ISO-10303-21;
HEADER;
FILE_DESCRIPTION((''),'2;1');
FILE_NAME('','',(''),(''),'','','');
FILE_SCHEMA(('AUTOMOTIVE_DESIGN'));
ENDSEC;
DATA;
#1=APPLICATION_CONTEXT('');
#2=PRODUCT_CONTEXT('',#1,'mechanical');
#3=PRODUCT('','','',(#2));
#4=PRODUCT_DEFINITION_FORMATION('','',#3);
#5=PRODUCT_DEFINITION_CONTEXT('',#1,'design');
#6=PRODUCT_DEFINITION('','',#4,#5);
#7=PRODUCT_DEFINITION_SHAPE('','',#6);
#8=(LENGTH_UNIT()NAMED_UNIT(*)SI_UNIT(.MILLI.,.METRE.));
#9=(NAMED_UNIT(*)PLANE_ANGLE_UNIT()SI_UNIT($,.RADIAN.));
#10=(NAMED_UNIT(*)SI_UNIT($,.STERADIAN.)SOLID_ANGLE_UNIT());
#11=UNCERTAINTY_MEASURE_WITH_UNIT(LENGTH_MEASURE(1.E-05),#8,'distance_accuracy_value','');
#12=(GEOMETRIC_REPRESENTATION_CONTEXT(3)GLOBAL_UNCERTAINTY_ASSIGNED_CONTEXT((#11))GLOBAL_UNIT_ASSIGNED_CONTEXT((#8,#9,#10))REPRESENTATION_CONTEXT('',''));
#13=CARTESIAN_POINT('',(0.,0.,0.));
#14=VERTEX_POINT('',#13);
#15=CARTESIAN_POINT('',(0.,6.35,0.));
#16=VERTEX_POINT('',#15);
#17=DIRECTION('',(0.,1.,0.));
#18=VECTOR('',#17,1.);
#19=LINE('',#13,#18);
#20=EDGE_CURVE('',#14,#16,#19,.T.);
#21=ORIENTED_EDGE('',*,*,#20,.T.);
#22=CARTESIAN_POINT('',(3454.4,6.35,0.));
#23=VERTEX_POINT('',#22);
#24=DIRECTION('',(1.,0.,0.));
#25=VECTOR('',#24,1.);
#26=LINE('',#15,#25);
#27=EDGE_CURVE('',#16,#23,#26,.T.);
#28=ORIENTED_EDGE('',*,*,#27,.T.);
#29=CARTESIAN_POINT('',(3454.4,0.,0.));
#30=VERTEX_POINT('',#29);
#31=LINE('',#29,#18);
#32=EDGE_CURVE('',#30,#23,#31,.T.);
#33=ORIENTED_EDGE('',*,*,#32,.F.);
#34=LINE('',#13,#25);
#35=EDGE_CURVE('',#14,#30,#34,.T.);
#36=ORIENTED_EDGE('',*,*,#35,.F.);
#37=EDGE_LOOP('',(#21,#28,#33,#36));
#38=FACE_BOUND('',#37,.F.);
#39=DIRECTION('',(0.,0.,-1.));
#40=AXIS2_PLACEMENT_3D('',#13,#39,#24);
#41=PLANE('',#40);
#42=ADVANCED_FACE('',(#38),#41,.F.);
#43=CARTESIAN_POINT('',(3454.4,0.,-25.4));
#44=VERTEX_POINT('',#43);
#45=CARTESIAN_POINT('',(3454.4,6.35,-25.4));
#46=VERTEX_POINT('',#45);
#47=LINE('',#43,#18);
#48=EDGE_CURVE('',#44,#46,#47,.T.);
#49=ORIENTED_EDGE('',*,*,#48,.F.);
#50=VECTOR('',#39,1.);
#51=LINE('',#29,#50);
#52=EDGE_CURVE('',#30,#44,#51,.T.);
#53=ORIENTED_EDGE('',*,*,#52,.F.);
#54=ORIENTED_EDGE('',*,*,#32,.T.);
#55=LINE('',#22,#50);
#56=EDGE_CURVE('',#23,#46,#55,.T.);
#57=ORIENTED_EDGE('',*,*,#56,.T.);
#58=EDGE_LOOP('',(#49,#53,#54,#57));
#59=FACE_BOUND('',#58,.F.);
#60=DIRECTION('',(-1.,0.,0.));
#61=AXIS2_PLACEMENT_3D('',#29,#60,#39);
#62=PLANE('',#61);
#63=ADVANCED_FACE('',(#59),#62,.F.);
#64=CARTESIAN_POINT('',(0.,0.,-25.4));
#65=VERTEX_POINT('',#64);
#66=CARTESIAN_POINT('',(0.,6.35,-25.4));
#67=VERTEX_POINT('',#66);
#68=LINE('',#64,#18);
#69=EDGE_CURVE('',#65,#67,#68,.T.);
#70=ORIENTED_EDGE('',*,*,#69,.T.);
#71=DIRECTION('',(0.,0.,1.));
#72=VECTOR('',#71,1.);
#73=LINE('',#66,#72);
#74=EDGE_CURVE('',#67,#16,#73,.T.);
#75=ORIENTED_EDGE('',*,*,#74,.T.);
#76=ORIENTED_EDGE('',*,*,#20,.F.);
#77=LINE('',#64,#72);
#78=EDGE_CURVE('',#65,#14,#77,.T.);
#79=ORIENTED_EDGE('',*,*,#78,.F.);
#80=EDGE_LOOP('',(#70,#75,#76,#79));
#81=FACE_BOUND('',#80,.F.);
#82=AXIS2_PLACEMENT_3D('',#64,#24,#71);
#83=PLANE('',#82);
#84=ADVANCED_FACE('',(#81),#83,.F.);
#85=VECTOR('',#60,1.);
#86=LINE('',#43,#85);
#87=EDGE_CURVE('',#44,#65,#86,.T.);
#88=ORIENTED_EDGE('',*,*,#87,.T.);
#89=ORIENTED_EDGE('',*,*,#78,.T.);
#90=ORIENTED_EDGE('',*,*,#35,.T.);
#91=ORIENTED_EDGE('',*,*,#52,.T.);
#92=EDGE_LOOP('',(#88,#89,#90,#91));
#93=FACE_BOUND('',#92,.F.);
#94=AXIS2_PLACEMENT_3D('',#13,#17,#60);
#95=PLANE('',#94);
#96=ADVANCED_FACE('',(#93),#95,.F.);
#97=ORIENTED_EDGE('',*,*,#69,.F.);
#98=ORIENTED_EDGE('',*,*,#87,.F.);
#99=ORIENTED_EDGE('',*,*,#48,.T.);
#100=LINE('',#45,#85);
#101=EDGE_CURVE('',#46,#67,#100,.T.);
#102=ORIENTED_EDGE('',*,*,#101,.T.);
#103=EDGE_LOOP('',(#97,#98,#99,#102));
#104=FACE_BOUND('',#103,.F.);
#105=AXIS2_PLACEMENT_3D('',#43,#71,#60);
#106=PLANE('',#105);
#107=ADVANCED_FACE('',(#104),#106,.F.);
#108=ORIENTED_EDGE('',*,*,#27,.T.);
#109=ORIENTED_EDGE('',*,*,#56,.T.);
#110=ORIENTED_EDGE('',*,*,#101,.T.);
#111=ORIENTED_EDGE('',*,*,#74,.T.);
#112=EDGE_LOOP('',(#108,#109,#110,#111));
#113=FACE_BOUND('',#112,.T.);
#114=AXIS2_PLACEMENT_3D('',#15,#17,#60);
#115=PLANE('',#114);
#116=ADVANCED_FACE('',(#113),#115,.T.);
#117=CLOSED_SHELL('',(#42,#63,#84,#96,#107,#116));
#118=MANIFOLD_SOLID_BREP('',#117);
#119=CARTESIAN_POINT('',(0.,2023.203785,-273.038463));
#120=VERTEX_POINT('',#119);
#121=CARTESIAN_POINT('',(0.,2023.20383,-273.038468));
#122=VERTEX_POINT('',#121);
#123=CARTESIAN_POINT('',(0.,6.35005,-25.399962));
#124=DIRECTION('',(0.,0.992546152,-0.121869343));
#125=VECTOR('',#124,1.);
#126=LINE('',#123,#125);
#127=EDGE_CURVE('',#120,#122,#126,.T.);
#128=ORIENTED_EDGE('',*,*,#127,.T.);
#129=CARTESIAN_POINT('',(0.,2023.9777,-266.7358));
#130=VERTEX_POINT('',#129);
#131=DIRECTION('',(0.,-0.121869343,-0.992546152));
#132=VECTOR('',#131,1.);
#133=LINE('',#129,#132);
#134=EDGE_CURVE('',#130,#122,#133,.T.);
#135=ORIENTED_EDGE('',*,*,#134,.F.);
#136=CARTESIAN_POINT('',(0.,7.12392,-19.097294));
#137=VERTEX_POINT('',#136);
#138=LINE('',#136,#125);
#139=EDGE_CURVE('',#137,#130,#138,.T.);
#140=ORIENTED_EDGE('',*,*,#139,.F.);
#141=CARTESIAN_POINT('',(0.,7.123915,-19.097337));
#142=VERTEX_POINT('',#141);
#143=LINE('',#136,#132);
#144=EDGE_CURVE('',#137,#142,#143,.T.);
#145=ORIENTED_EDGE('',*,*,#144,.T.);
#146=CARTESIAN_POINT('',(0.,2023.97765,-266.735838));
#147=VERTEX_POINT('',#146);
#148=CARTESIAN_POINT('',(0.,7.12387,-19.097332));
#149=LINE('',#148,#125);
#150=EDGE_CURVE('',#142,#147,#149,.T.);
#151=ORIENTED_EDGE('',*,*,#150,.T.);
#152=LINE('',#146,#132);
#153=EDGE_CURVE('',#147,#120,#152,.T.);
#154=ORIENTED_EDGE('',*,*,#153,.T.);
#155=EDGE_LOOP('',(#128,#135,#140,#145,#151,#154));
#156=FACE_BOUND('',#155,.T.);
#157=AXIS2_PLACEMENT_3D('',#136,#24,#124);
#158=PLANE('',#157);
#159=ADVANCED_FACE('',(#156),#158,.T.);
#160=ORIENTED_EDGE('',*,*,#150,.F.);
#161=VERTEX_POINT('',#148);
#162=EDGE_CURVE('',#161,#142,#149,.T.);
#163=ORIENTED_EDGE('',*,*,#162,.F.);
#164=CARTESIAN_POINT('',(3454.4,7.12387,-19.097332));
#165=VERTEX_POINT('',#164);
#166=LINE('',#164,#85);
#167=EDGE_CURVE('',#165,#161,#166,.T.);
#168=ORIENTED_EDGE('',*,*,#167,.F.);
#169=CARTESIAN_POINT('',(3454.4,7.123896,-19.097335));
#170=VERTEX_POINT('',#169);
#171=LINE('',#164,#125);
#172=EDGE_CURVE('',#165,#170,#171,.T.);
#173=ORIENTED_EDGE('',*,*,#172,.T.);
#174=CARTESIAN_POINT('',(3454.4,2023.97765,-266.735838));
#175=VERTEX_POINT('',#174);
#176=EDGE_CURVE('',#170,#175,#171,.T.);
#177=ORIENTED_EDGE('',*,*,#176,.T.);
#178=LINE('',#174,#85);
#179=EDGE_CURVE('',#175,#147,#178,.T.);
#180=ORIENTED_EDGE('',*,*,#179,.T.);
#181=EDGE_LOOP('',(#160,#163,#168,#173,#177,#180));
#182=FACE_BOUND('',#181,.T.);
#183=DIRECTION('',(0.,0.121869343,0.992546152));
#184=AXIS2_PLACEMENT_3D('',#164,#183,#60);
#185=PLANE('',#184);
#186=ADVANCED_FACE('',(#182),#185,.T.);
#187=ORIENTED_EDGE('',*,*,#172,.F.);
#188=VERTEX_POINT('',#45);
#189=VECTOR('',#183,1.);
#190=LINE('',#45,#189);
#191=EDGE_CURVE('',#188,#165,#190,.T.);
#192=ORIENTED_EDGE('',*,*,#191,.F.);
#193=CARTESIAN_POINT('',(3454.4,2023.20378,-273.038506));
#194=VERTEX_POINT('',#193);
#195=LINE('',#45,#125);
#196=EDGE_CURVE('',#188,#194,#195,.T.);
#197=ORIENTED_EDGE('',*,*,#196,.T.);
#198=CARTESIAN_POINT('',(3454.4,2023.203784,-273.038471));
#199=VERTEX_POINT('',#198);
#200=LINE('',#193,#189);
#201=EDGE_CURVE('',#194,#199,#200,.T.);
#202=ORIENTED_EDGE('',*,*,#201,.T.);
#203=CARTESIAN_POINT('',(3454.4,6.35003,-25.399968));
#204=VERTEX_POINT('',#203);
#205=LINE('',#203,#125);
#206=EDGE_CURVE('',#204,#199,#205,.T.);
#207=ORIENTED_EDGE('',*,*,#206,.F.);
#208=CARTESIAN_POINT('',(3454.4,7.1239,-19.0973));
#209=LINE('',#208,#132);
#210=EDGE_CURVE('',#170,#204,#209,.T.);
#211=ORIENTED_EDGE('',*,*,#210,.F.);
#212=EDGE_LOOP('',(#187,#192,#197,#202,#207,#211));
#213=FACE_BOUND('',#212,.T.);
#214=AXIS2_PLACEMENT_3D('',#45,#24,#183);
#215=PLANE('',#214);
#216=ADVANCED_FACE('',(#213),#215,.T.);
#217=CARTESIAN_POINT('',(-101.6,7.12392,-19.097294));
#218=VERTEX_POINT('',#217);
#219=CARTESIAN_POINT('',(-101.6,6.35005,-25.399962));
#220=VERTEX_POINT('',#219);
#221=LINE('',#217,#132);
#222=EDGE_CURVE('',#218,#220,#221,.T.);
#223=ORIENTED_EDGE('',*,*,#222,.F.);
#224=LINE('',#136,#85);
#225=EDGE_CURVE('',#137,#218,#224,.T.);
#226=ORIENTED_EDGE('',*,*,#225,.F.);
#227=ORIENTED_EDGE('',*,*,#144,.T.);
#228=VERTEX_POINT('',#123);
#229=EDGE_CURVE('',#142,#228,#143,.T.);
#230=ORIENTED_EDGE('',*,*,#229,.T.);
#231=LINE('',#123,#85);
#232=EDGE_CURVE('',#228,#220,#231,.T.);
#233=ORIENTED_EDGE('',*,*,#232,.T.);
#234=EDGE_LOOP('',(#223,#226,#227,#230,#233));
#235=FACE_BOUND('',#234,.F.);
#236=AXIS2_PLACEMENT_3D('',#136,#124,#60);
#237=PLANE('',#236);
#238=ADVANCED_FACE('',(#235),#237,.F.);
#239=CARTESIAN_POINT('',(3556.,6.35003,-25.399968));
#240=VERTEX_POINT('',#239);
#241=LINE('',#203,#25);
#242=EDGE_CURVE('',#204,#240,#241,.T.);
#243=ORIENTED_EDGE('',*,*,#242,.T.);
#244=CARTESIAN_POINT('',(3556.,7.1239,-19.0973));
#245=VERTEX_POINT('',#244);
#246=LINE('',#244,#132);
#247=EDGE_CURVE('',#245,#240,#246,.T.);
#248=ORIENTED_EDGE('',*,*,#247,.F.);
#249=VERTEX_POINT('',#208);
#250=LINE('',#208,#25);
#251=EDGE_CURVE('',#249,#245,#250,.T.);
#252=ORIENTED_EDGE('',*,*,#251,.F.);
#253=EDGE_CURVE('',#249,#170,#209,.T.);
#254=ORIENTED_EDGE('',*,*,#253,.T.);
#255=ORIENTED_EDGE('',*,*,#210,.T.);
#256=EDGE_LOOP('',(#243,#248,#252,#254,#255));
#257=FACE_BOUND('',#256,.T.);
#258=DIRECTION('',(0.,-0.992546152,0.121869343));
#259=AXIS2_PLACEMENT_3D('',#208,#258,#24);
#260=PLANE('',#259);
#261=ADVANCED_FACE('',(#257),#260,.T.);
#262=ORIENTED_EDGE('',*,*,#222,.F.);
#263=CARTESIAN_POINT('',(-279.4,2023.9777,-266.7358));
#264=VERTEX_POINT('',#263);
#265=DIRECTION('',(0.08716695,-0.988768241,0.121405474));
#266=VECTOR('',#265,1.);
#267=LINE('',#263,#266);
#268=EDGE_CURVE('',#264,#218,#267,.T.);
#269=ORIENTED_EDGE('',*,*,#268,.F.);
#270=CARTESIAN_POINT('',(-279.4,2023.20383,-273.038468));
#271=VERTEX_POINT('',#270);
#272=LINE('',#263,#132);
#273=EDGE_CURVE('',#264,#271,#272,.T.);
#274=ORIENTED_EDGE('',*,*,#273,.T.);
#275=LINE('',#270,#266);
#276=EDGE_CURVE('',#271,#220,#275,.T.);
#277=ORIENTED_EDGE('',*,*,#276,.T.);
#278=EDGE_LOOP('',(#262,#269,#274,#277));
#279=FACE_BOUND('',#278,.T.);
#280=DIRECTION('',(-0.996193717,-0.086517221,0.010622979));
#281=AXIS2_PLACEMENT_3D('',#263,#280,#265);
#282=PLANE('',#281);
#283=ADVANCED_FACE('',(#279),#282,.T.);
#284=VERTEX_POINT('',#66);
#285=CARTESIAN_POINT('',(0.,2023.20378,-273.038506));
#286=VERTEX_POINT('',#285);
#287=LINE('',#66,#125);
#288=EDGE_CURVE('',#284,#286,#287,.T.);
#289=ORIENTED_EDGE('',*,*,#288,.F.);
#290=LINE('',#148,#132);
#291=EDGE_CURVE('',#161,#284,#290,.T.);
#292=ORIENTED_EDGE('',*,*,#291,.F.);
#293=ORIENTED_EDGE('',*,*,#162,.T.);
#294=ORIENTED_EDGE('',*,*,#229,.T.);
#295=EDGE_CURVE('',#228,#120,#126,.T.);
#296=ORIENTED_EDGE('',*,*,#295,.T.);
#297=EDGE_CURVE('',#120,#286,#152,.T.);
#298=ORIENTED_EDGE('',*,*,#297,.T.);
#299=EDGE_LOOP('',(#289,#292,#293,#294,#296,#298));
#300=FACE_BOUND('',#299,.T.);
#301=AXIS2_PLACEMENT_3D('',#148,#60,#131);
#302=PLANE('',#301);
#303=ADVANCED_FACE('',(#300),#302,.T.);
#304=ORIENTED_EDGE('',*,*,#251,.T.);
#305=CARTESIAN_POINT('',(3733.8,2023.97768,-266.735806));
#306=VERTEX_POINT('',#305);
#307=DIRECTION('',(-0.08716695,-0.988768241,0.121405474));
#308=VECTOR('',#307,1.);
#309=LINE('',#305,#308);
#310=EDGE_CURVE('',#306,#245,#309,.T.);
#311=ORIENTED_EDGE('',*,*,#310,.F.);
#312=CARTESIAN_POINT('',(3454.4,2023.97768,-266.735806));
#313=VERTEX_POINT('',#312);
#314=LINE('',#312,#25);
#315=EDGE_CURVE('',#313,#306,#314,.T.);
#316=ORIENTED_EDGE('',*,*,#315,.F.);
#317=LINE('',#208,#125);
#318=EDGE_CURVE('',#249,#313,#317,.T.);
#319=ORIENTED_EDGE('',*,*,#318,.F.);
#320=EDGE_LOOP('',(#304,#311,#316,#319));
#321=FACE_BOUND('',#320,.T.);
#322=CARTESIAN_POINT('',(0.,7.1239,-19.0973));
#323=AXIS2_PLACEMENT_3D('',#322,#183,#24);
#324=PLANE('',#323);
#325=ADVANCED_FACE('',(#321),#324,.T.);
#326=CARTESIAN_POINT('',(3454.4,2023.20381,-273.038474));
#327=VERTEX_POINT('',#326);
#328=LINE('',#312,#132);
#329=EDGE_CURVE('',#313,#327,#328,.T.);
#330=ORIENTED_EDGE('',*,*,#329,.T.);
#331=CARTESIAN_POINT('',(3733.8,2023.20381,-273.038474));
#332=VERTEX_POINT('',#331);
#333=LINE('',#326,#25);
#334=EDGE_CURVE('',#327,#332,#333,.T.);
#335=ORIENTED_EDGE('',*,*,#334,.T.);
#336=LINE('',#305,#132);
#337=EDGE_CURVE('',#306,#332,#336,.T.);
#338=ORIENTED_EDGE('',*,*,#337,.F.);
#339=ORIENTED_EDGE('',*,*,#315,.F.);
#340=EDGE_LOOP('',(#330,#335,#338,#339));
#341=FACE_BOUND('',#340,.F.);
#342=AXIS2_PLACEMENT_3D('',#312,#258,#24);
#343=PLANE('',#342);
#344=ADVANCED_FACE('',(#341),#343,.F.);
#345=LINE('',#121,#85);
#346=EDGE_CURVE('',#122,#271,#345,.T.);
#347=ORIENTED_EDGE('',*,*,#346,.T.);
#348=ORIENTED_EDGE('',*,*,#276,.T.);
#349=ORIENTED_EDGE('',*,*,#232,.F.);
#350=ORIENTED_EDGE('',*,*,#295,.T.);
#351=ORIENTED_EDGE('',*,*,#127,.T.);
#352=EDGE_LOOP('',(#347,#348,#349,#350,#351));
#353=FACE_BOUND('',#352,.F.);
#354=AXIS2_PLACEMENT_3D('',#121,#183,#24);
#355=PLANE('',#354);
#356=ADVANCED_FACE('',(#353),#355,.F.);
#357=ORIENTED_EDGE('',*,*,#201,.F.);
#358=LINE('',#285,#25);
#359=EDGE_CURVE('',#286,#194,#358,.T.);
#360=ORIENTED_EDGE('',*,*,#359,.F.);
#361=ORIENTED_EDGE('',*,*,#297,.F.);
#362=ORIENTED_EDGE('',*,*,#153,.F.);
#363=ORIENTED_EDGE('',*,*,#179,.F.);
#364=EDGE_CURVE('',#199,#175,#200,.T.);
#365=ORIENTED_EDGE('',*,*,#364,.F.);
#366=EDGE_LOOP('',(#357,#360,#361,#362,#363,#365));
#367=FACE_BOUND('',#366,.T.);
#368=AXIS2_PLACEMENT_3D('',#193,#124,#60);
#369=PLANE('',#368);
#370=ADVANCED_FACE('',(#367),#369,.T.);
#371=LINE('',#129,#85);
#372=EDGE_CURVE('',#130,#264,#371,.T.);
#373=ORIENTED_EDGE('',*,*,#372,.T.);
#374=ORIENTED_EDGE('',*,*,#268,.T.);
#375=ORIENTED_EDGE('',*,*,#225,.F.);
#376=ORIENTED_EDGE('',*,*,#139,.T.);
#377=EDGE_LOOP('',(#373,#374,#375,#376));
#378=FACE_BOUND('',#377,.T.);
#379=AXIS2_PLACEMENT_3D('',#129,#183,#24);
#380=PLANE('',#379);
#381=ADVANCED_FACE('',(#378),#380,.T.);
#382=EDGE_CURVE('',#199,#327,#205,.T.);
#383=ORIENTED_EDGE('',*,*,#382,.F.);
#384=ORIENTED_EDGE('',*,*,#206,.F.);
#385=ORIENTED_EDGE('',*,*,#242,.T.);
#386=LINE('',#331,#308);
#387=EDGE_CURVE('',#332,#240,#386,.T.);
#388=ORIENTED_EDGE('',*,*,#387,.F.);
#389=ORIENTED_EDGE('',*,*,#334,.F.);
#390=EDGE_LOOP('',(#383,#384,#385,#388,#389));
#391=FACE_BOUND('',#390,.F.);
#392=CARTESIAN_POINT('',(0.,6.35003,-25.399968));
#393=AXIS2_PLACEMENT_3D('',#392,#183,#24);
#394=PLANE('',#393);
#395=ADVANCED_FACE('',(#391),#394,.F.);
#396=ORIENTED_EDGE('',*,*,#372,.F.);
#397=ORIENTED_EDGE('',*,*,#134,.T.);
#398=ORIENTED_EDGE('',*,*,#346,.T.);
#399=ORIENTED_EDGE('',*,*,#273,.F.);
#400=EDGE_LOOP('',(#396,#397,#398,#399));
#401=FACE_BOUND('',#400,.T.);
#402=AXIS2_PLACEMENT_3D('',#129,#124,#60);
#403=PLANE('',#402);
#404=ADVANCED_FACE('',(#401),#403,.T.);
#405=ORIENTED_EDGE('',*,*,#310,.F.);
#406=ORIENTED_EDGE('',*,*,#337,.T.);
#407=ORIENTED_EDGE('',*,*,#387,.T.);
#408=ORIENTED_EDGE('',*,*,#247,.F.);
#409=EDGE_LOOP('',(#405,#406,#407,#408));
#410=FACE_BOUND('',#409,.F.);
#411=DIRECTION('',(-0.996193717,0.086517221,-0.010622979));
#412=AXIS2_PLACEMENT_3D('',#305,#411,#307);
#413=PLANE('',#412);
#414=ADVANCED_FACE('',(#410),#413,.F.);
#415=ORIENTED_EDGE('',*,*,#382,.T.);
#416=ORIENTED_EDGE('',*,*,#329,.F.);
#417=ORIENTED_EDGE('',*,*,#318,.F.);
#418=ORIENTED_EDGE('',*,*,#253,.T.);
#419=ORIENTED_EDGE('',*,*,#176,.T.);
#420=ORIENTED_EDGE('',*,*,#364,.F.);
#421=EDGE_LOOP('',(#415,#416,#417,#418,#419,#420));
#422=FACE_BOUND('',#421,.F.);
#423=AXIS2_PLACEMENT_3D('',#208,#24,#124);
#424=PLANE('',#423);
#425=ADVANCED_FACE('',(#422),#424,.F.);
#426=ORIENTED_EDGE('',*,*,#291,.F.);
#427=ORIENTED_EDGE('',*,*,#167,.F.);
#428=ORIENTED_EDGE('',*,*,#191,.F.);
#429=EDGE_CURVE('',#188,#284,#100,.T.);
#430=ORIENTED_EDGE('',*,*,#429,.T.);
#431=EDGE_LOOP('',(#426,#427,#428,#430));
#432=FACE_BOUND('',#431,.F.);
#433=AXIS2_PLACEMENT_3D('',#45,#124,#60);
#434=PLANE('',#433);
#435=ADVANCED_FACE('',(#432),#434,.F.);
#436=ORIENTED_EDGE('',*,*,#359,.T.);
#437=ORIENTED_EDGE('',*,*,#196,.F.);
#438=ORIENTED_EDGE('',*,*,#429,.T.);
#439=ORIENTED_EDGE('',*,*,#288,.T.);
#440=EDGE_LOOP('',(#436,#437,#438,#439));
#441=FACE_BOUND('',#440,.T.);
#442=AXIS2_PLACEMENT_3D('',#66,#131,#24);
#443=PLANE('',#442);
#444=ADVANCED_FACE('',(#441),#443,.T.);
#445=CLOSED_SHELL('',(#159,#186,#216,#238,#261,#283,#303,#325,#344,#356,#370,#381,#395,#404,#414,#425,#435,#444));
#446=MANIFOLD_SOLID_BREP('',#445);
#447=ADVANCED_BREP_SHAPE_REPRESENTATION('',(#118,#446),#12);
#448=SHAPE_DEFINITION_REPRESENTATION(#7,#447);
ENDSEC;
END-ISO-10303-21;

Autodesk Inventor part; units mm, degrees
ref_plane "YZ Plane" through (0, 0, 0) normal (1, 0, 0) x (0, 1, 0)
ref_plane "XZ Plane" through (0, 0, 0) normal (0, 1, 0) x (-1, 0, 0)
sketch "Sketch1" plane through (0, 0, 0) normal (0, 1, 0) x (-1, 0, 0)
  line L0 (0, 0) -> (-3454.4, 0)
  line L1 (-3454.4, 0) -> (-3454.4, -25.4)
  line L2 (-3454.4, -25.4) -> (0, -25.4)
  line L3 (0, -25.4) -> (0, 0)
  dimension "d0" = 3454.4
  dimension "d1" = 25.4
extrude "bottomMateSurface" add sketch "Sketch1" along normal blind 6.35
ref_plane "Work Plane1" through (3454.4, 6.35, -25.4) normal (0, 0.9925, -0.1219) x (-1, 0, 0)
sketch "Sketch2" plane through (3454.4, 6.35, -25.4) normal (0, 0.9925, -0.1219) x (-1, 0, 0)
  line L0 (0, 6.35) -> (3454.4, 6.35)
  line L1 (3454.4, 6.35) -> (3454.4, 0)
  line L2 (3454.4, 0) -> (0, 0)
  line L3 (0, 0) -> (0, 6.35)
  point P0 (3454.4, 24.4368)
  dimension "d5" = 3454.4
  dimension "d6" = 6.35
extrude "centralPanelPortion" add sketch "Sketch2" along normal blind 2032
sketch "Sketch5" plane through (0, 7.1239, -19.0973) normal (0, 0.1219, 0.9925) x (1, 0, 0)
  line L0 (3454.4, 0) -> (3454.4, 2032) projected
  line L1 (0, 0) -> (0, 2032) projected
  line L2 (3454.4, 0) -> (3556, 0)
  line L3 (3454.4, 2032) -> (3733.8, 2032)
  line L4 (3733.8, 2032) -> (3556, 0)
  point P0 (0, -9.3981)
  dimension "d16" = 101.6
  dimension "d17" = 279.4
extrude "extensionRight" add sketch "Sketch5" against normal blind 6.35
sketch "Sketch6" plane through (0, 2023.9777, -266.7358) normal (0, 0.1219, 0.9925) x (1, 0, 0)
  line L0 (0, -2032) -> (0, 0) projected
  line L1 (0, -2032) -> (-101.6, -2032)
  line L2 (0, 0) -> (-279.4, 0)
  line L3 (-279.4, 0) -> (-101.6, -2032)
  point P0 (0, -2041.3981)
  dimension "d20" = 101.6
  dimension "d21" = 279.4
extrude "extensionLeft" add sketch "Sketch6" against normal blind 6.35
properties part number "2r4sci" material "Glass"
